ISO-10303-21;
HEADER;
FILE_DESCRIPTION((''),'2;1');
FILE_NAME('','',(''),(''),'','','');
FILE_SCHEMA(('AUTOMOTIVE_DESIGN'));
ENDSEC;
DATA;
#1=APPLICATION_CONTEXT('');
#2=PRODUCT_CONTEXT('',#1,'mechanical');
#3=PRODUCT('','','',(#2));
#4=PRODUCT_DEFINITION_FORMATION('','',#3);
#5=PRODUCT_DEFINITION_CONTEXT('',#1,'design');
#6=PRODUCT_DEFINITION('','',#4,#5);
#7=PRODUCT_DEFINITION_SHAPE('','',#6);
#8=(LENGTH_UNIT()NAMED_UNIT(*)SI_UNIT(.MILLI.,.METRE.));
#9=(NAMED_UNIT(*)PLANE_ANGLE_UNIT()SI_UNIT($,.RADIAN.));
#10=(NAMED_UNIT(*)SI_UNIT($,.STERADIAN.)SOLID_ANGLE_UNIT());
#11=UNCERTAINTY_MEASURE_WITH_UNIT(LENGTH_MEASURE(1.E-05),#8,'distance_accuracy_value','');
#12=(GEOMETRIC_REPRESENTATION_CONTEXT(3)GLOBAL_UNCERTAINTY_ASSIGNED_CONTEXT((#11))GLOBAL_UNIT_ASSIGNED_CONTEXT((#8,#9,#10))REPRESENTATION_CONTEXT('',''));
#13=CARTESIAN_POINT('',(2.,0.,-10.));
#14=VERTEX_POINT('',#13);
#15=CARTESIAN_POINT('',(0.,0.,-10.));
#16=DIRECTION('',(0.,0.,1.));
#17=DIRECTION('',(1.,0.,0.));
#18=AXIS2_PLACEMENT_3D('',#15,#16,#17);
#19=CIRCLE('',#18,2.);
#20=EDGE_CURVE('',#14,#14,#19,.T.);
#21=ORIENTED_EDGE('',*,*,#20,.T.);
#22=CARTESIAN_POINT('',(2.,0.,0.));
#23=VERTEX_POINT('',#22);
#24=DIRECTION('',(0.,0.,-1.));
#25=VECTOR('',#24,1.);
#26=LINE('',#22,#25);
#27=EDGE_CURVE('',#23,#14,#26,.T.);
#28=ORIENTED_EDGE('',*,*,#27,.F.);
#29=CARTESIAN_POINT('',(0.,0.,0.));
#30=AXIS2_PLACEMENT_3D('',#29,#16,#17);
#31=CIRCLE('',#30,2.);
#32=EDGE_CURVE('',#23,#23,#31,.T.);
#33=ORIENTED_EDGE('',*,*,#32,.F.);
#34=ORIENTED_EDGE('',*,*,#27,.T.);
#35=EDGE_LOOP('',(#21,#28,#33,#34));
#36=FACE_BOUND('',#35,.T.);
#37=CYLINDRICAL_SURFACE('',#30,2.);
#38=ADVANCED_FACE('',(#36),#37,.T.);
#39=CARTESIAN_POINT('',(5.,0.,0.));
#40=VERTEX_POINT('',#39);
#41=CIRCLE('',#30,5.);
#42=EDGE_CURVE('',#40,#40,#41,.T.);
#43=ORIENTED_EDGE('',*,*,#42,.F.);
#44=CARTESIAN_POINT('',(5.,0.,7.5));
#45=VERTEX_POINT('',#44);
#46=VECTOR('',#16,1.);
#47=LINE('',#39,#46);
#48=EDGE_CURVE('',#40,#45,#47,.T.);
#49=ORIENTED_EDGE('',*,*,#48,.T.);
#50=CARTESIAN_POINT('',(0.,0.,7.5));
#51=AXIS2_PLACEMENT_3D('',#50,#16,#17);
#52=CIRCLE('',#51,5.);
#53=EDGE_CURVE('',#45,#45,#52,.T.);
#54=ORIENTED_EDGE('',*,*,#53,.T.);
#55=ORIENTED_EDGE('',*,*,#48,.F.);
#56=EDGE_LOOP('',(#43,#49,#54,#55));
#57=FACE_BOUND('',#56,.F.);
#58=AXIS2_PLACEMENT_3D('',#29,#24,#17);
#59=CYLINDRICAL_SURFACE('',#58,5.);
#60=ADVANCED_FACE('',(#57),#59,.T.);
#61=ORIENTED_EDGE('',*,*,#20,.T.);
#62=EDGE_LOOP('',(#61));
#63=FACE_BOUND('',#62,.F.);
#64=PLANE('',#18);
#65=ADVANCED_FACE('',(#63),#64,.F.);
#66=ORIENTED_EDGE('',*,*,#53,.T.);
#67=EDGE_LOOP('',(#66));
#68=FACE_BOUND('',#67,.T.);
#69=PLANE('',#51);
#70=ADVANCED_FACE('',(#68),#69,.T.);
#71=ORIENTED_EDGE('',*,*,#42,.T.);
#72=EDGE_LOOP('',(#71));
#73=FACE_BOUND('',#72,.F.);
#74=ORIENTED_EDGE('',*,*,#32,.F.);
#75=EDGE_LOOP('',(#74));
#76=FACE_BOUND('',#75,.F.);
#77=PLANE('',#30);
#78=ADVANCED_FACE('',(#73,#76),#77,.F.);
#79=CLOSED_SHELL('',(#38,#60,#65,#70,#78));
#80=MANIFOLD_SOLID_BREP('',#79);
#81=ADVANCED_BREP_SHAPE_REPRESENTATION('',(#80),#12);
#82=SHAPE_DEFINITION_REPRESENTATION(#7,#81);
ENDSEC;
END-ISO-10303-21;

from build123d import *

# Parameters (mm, degrees)
F0_R      = 2
F1_DEPTH  = 10
F0_R_2    = 5
F1_FACE_R = 2
F2_DEPTH  = 7.5


with BuildPart() as f1:
    # F0 (on Top) → F1 (new body)
    with BuildSketch(Plane.XY):
        Circle(F0_R)
    extrude(amount=-F1_DEPTH)

    # F0 (on Top) + F1_face (on face) → F2 (join)
    with BuildSketch(Plane.XY):
        Circle(F0_R_2)
        Circle(F0_R, mode=Mode.SUBTRACT)
    with BuildSketch(Plane.XY):
        Circle(F1_FACE_R)
    extrude(amount=F2_DEPTH)


solid = f1.part
